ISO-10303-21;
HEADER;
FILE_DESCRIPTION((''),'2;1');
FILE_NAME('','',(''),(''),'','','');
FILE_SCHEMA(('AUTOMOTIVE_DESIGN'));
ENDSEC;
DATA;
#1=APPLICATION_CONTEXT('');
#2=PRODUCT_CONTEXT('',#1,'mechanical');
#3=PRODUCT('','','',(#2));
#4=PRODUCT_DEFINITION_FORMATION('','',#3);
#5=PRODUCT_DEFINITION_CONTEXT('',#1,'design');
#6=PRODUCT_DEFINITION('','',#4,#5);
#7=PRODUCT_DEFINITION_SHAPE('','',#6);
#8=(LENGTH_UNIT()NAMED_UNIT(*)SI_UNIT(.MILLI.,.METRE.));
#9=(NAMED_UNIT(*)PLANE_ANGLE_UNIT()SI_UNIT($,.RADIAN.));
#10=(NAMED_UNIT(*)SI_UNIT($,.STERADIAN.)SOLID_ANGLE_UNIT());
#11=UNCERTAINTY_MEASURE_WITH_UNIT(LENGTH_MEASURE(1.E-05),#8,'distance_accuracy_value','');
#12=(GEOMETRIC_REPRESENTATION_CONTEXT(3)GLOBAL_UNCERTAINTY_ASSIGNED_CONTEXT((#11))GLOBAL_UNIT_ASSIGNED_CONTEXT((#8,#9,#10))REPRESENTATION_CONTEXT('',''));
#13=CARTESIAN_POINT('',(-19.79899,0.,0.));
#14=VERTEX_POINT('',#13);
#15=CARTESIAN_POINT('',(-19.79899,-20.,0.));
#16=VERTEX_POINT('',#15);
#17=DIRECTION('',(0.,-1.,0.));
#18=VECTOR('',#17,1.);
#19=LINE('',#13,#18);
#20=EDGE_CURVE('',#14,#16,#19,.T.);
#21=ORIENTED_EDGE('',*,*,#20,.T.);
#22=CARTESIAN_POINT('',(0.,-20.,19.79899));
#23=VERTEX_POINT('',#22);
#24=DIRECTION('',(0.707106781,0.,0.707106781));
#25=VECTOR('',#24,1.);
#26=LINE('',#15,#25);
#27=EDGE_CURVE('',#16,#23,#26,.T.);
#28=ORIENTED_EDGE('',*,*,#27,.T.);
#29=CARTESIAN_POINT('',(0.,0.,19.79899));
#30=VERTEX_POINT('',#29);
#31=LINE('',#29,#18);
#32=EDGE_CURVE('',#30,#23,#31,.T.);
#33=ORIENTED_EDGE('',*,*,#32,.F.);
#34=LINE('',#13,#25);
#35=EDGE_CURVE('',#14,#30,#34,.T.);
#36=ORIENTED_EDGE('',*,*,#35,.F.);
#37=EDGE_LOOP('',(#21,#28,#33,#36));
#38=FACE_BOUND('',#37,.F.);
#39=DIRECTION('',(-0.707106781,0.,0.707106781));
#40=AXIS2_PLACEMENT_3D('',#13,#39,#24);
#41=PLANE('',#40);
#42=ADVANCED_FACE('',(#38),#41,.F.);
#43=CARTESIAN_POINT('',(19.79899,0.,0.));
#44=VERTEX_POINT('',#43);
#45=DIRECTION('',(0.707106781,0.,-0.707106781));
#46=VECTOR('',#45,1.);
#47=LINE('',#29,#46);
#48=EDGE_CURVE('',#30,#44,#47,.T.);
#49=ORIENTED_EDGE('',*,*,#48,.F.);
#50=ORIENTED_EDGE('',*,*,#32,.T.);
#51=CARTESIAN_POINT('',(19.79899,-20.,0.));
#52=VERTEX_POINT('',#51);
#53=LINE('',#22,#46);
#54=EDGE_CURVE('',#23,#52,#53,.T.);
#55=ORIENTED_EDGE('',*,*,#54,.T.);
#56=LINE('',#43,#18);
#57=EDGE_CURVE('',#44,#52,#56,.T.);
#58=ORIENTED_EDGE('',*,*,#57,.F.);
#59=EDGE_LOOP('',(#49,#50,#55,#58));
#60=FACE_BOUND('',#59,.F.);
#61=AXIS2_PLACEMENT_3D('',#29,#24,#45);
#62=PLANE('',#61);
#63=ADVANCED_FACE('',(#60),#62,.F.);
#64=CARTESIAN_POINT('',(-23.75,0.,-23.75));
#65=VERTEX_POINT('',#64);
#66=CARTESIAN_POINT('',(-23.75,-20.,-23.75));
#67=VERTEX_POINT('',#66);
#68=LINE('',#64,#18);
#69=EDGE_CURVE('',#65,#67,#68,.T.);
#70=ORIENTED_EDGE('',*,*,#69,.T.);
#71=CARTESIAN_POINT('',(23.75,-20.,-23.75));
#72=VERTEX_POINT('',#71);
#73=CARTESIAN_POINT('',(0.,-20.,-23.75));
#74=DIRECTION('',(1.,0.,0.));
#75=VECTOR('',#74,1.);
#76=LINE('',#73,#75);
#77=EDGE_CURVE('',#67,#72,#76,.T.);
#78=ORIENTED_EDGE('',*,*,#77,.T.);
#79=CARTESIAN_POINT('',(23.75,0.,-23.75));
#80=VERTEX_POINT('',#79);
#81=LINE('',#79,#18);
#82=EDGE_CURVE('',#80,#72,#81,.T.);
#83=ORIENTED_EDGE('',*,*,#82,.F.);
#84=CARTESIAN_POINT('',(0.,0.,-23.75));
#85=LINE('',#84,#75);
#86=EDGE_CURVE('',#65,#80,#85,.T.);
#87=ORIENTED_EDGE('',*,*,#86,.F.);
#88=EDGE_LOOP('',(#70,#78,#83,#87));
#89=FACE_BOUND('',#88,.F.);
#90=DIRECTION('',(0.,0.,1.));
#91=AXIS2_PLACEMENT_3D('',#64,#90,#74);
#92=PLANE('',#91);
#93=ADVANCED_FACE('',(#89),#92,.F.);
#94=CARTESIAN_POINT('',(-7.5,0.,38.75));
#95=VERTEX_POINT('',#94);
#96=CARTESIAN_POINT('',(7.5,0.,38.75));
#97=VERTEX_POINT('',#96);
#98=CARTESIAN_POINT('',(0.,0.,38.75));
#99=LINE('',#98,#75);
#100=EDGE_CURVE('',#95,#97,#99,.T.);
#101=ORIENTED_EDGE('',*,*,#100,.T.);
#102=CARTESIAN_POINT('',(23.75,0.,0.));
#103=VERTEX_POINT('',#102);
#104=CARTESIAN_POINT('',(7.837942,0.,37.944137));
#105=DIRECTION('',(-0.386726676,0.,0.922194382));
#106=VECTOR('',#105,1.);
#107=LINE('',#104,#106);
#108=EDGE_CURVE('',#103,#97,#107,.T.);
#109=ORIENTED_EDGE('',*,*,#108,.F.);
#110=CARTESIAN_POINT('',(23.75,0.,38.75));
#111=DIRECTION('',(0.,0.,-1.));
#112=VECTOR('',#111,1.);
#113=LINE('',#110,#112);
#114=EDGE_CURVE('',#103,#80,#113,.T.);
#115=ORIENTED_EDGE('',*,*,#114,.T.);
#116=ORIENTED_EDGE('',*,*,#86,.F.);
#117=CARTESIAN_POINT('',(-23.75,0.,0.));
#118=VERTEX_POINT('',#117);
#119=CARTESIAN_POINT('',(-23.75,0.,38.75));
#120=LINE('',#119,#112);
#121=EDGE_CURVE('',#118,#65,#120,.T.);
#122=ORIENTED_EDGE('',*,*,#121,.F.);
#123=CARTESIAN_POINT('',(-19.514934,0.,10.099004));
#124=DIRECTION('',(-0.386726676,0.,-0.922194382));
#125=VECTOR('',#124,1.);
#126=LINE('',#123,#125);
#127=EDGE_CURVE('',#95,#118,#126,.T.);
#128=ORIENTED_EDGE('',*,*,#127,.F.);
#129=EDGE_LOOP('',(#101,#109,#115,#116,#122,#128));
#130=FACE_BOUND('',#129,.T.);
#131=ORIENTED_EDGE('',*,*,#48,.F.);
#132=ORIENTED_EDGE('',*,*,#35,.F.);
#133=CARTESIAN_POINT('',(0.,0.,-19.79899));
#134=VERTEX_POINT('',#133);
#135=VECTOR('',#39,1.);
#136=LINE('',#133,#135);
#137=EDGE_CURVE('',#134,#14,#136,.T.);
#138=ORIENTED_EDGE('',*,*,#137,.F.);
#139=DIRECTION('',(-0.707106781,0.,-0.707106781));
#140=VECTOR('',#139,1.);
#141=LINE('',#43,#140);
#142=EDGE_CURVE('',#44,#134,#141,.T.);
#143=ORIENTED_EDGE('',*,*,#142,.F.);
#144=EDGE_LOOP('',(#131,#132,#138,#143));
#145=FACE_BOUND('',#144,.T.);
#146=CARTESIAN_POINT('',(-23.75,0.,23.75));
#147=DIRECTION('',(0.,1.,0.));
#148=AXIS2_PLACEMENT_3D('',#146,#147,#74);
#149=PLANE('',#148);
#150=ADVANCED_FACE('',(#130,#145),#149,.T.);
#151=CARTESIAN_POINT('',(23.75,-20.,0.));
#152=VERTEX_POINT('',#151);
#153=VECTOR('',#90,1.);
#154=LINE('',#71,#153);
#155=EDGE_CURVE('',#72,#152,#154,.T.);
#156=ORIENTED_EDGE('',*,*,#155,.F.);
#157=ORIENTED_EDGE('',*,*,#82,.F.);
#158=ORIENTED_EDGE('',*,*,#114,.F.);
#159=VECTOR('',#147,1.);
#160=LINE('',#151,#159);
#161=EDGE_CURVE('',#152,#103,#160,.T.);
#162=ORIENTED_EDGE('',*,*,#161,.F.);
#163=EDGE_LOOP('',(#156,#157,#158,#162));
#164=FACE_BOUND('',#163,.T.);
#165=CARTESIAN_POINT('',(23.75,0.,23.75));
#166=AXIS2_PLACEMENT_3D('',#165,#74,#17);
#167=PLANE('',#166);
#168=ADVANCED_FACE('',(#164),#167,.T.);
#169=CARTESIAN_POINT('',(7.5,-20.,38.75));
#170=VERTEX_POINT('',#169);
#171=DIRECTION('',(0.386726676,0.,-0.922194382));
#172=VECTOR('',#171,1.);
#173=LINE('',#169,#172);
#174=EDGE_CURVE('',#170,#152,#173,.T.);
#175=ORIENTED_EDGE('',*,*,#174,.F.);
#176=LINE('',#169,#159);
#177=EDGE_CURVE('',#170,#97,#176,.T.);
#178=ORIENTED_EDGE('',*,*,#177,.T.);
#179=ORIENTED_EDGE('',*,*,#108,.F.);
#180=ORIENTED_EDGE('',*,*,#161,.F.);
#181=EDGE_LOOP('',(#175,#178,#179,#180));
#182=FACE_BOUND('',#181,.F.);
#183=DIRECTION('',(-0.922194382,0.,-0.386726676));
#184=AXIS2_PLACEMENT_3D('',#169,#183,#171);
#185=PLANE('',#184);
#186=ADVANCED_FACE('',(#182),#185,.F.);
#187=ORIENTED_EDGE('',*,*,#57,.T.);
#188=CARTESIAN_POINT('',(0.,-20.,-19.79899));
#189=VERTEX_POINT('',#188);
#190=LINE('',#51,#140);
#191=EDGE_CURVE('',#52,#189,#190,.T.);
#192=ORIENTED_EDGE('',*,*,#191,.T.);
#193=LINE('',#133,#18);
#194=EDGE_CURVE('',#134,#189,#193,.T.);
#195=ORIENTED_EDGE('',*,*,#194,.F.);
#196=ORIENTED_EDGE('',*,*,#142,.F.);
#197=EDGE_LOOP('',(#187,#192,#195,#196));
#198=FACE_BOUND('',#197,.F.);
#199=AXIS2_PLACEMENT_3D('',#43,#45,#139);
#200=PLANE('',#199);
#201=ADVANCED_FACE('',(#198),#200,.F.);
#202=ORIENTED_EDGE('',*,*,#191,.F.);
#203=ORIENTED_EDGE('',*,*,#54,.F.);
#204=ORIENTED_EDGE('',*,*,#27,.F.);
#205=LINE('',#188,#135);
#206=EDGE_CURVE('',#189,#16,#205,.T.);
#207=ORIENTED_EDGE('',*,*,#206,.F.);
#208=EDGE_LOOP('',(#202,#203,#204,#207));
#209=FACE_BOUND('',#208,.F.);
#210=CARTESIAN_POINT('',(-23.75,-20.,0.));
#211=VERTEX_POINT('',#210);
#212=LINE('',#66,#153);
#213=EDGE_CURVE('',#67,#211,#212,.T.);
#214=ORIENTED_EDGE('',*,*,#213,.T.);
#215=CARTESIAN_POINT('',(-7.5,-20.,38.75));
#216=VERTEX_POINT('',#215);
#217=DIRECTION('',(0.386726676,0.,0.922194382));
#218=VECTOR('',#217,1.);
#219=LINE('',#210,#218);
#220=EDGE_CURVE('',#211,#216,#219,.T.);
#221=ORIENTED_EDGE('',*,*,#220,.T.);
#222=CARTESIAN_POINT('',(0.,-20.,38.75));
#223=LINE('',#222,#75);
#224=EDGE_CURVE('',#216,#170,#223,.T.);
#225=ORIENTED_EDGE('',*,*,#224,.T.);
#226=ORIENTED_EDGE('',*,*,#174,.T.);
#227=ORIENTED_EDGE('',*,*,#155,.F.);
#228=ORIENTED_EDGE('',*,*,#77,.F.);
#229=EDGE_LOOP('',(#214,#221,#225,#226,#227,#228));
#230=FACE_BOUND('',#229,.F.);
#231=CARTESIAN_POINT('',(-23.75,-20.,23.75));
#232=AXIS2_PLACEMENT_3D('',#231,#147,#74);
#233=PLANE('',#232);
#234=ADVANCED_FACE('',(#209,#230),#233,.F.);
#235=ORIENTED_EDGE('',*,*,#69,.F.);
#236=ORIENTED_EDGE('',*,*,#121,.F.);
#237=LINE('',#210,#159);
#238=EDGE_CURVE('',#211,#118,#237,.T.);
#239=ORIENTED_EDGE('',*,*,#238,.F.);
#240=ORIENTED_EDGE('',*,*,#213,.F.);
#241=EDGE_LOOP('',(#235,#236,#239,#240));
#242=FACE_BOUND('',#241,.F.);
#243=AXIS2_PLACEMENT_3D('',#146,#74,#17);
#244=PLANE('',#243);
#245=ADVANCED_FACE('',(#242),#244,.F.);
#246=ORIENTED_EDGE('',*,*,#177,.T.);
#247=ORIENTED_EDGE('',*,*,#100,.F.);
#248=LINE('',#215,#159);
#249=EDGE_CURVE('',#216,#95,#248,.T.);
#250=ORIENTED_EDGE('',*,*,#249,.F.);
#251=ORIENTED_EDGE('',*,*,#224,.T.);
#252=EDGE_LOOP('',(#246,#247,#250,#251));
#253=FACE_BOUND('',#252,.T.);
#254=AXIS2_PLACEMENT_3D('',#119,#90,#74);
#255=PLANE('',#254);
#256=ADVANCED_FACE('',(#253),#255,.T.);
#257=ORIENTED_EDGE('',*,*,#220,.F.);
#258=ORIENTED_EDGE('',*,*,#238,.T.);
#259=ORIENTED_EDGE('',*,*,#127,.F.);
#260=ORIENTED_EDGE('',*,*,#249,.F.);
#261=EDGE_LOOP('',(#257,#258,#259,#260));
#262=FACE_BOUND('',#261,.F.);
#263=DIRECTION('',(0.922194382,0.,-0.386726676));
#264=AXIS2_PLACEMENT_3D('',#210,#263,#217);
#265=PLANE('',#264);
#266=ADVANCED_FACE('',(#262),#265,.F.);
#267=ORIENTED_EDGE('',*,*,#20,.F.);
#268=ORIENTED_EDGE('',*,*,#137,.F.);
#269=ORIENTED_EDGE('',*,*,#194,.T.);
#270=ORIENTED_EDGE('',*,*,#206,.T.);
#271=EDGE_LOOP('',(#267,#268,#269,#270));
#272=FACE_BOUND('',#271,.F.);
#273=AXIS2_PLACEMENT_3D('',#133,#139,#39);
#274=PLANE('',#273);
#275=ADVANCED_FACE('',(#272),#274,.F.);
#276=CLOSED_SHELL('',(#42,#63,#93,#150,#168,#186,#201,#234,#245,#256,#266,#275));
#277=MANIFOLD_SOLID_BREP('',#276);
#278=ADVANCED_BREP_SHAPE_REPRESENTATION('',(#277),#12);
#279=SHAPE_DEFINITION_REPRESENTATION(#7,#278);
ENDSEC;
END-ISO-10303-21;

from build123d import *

# Parameters (mm, degrees)
F0_W     = 47.5
F0_H     = 47.5
F1_DEPTH = 20
F2_DEPTH = 15
F4_DEPTH = 20.001


with BuildPart() as f1:
    # F0 (on Front) → F1 (new body)
    with BuildSketch(Plane.XZ):
        Rectangle(F0_W, F0_H)
        Polygon((0, 19.7989898732), (19.7989898732, 19.7989898732), (19.7989898732, 0), (19.7989898732, -19.7989898732), (0, -19.7989898732), (-19.7989898732, -19.7989898732), (-19.7989898732, 0), (-19.7989898732, 19.7989898732), align=None, mode=Mode.SUBTRACT)
        Polygon((-19.7989898732, 0), (0, 19.7989898732), (-19.7989898732, 19.7989898732), align=None)
        Polygon((0, -19.7989898732), (-19.7989898732, 0), (-19.7989898732, -19.7989898732), align=None)
        Polygon((19.7989898732, -19.7989898732), (19.7989898732, 0), (0, -19.7989898732), align=None)
        Polygon((19.7989898732, 0), (19.7989898732, 19.7989898732), (0, 19.7989898732), align=None)
    extrude(amount=F1_DEPTH)

    # F2 (add): a face of the model
    f2_faces = [f1.faces().sort_by_distance(p)[0] for p in [
        (0, -10, 23.75),
    ]]
    extrude(f2_faces, amount=F2_DEPTH)

    # F3 (on face) → F4 (cut, through all)
    with BuildSketch(Plane.XZ.offset(20)):
        Polygon((-23.75, 38.75), (-23.75, 0), (-7.5, 38.75), align=None)
        Polygon((23.75, 38.75), (7.5, 38.75), (23.75, 0), align=None)
    extrude(amount=-F4_DEPTH, mode=Mode.SUBTRACT)


solid = f1.part
